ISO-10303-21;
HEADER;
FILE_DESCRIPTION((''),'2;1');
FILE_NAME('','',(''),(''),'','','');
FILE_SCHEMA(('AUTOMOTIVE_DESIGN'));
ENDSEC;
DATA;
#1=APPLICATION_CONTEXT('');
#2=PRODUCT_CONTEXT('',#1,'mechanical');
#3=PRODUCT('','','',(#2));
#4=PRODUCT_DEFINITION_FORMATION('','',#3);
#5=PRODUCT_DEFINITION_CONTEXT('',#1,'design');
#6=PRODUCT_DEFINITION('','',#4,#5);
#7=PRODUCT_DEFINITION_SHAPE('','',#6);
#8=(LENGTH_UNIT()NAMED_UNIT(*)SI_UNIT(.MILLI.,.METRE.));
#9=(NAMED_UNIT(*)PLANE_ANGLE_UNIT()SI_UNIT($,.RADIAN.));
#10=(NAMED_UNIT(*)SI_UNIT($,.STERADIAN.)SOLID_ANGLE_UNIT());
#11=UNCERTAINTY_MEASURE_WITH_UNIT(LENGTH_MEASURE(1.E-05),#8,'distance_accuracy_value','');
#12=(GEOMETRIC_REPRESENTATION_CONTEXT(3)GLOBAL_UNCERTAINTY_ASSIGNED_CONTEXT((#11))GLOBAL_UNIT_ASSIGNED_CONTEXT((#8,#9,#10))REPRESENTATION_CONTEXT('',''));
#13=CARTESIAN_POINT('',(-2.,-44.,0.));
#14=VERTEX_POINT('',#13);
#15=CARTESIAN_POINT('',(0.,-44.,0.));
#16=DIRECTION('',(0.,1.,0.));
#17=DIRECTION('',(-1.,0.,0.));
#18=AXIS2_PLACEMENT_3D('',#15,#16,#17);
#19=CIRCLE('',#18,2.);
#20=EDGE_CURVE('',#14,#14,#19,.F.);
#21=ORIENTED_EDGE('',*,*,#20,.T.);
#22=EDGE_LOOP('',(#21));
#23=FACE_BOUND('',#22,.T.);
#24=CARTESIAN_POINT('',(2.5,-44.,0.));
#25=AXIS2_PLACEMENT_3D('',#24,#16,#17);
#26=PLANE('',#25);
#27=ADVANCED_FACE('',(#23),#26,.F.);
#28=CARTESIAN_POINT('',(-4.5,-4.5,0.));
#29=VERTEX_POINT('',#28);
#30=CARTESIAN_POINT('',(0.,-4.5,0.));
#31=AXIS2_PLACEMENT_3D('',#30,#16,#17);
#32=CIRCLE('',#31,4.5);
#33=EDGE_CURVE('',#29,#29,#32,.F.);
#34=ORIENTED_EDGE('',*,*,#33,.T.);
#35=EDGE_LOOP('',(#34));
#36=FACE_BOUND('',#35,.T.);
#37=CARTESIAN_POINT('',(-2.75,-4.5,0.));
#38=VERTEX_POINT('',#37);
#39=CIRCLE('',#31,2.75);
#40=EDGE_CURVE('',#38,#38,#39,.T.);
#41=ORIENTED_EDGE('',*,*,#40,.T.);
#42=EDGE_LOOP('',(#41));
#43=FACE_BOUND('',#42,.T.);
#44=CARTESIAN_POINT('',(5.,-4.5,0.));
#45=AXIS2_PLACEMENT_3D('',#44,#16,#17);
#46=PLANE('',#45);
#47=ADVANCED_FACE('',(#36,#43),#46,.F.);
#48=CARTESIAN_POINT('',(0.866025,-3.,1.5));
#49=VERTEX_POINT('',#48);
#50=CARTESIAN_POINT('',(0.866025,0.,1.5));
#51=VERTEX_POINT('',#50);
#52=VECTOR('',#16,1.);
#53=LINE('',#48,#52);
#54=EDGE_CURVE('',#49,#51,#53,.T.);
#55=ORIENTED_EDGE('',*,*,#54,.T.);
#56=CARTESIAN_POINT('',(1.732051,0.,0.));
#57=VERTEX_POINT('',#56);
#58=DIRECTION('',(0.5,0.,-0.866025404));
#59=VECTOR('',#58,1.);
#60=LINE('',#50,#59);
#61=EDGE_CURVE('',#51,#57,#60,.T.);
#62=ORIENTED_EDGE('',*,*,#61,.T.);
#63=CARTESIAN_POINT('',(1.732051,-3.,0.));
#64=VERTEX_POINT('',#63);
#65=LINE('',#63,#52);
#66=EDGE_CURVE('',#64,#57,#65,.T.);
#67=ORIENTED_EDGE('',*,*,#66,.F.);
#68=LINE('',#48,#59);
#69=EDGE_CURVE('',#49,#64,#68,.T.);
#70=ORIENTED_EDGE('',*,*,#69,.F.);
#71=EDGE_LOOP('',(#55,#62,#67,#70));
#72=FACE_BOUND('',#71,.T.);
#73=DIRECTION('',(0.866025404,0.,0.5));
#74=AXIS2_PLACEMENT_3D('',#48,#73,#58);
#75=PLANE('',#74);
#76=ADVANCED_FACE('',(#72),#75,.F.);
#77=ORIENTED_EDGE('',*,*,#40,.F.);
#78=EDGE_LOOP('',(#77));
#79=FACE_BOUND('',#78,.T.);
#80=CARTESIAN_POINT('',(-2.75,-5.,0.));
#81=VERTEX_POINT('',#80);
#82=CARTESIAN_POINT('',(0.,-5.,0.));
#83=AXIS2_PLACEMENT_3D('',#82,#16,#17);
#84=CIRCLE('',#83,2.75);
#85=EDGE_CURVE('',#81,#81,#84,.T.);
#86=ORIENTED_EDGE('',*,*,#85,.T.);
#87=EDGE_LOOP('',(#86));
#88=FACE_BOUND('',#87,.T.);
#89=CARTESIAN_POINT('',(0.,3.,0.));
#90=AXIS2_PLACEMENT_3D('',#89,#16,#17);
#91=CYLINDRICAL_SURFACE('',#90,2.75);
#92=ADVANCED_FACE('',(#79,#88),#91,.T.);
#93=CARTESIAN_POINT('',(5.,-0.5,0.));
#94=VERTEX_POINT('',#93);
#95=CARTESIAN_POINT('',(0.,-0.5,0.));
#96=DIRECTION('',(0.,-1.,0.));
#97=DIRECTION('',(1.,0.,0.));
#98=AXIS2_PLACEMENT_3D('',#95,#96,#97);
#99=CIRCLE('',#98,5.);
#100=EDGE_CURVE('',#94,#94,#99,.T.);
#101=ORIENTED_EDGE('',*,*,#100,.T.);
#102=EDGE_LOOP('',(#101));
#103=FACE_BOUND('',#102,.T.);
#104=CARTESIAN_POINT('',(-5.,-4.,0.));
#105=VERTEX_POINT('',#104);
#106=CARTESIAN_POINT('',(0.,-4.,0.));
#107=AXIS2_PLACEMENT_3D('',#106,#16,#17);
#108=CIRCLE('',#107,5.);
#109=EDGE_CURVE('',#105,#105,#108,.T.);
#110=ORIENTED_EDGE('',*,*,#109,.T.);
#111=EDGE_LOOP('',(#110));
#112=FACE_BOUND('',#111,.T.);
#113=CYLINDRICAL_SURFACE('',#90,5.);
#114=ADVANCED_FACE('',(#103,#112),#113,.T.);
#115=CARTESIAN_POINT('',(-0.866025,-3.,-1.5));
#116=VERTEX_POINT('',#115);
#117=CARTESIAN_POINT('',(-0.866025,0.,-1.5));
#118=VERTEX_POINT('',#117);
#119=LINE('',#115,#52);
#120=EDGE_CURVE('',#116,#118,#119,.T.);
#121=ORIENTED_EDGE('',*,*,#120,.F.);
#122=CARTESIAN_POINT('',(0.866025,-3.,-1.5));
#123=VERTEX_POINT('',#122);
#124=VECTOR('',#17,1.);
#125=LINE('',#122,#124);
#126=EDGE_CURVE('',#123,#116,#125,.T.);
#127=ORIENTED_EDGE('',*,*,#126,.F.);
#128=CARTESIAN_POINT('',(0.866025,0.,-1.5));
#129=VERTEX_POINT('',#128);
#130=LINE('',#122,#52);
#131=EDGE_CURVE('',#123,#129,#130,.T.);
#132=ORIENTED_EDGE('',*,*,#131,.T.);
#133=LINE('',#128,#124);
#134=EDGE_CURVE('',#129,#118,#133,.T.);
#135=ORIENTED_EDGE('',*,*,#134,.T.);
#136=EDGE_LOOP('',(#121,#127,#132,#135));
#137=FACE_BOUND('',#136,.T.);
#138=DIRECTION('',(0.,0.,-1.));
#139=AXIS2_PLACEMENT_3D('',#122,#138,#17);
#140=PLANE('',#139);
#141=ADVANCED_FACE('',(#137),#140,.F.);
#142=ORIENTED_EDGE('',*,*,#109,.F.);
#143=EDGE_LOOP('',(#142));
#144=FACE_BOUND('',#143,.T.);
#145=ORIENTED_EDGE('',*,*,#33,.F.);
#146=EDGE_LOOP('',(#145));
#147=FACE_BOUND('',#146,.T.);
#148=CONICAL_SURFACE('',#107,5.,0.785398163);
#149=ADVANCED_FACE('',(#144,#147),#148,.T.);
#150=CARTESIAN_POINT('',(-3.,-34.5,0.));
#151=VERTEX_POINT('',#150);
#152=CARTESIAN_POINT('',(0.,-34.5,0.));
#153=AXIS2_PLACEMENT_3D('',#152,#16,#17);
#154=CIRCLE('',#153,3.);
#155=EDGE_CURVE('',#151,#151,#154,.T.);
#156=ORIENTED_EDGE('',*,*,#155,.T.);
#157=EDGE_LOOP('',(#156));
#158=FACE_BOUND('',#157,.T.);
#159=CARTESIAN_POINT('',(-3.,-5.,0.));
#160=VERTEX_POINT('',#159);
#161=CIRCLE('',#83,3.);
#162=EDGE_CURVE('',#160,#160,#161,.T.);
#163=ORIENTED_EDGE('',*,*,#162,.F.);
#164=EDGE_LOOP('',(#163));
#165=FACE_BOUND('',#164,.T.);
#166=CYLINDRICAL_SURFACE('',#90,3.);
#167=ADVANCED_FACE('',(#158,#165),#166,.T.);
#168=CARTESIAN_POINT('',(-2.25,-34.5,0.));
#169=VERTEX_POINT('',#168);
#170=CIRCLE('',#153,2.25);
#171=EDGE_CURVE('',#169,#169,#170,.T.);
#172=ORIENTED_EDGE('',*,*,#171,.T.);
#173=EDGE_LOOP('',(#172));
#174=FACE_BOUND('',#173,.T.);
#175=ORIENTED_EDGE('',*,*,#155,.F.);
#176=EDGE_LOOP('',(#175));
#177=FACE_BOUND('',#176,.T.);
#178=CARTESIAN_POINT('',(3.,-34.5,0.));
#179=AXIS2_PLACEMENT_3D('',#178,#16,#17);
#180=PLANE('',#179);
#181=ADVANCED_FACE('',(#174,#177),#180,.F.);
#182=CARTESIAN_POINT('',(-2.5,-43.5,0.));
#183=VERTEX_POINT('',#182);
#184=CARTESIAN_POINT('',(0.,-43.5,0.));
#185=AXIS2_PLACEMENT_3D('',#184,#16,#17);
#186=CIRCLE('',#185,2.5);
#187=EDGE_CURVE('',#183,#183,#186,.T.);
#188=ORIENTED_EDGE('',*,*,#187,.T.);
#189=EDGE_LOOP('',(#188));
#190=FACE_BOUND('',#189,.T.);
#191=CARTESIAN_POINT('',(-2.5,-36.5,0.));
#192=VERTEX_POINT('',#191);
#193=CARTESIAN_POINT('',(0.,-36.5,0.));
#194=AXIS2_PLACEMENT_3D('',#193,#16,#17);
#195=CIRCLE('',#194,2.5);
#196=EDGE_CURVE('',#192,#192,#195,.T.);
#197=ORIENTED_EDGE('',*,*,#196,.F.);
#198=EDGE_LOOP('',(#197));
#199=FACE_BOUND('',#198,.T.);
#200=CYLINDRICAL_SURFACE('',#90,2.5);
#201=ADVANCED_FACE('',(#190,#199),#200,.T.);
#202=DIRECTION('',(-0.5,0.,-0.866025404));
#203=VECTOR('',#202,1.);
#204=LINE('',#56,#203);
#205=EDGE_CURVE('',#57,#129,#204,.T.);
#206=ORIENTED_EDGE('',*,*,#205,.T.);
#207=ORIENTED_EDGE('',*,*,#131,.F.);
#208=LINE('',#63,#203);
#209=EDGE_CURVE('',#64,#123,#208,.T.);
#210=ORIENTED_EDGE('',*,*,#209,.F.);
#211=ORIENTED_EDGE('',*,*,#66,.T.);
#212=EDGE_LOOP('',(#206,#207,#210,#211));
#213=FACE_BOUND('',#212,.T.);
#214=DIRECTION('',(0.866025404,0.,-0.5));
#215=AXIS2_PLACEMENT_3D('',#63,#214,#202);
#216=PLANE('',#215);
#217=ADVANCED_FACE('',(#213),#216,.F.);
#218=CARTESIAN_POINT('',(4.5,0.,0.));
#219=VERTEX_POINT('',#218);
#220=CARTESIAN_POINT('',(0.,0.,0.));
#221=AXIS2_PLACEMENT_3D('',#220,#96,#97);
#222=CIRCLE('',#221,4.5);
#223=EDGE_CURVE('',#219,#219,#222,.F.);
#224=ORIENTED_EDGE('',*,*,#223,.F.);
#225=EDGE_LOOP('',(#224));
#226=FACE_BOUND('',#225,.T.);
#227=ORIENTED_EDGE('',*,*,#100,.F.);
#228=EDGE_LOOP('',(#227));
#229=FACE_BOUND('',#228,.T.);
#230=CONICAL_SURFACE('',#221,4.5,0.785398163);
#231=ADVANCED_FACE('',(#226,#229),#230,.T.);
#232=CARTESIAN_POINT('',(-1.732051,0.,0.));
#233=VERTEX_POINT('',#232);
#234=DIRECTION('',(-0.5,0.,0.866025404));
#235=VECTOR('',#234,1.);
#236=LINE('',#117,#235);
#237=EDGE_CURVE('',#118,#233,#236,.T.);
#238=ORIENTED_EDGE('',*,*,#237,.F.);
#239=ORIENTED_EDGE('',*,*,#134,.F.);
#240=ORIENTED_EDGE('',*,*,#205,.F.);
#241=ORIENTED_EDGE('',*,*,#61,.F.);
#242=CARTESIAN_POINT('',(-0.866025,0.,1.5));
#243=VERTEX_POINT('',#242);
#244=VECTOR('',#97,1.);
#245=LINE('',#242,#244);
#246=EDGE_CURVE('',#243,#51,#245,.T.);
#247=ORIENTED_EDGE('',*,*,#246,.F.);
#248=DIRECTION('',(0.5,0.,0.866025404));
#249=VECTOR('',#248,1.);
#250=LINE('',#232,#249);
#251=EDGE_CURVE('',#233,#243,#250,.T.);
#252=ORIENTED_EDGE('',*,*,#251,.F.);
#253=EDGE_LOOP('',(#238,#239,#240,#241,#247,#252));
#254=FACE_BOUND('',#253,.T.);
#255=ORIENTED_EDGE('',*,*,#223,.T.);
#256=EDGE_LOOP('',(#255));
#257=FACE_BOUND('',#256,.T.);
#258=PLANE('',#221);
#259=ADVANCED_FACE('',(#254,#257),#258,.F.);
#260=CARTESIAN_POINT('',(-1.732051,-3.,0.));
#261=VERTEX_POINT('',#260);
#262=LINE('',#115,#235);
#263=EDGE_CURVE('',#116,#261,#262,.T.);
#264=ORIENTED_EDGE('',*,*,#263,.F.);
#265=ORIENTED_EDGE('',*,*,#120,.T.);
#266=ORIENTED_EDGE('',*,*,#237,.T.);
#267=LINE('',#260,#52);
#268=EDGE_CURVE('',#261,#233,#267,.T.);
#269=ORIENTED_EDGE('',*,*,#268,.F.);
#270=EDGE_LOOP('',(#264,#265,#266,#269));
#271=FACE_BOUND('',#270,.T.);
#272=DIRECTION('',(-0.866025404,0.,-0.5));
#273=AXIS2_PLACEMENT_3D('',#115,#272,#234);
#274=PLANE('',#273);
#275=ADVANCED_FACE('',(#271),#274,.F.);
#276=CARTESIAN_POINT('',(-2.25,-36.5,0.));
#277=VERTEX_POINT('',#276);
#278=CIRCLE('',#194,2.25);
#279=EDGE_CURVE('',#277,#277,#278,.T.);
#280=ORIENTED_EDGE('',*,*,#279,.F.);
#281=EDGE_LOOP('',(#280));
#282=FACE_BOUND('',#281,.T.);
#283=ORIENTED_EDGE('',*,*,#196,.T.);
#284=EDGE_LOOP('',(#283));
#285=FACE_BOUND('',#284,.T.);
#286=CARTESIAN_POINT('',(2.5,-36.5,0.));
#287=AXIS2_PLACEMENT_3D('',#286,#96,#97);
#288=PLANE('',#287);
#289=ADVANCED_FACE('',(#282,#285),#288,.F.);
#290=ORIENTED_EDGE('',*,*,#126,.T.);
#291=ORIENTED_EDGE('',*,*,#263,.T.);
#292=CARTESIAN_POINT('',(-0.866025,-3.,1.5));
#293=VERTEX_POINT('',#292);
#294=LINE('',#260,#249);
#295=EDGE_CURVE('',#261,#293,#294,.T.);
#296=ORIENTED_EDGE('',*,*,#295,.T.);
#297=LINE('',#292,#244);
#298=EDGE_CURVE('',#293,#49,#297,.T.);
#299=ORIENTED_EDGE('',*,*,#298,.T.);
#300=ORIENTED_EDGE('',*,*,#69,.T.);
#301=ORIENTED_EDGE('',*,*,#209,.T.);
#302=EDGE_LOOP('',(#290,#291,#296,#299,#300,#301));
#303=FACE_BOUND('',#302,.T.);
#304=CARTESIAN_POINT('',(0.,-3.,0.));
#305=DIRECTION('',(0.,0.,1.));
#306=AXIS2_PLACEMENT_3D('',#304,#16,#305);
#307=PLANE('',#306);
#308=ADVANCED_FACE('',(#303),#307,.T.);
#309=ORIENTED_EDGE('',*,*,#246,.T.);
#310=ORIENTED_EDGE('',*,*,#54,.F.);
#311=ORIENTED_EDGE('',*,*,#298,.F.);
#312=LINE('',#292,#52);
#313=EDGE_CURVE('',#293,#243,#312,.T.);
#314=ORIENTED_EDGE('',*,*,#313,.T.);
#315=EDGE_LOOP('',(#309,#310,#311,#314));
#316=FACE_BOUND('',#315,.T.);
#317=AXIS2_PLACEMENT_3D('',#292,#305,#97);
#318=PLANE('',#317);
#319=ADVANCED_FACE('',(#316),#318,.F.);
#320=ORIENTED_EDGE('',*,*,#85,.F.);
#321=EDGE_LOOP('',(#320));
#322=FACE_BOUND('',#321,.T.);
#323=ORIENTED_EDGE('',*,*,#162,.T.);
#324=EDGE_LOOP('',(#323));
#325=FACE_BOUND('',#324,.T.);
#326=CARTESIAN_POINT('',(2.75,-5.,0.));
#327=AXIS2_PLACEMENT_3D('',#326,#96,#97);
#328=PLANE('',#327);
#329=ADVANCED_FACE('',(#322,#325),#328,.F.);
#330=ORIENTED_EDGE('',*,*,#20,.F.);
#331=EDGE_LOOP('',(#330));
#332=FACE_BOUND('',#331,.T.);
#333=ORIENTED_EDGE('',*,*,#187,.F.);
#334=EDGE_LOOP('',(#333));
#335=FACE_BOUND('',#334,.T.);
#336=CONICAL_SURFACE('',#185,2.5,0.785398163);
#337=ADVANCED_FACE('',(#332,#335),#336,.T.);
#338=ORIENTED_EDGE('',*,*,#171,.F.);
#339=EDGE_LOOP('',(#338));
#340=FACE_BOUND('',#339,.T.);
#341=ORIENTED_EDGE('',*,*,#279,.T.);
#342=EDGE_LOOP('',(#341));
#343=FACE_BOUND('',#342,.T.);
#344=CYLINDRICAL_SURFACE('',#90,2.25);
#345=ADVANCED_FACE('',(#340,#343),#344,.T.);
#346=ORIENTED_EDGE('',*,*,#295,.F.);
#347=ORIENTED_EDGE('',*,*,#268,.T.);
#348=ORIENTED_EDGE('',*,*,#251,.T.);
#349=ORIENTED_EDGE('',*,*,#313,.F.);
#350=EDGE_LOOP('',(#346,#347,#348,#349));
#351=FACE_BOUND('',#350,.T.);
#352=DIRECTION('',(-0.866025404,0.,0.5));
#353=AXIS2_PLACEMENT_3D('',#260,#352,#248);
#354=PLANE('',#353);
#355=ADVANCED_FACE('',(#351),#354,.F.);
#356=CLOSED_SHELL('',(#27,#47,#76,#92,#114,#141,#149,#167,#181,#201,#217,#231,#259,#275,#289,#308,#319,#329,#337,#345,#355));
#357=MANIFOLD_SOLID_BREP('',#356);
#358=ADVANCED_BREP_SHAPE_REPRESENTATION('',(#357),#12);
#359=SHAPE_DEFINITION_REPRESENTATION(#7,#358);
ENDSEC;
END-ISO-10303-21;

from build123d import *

# Parameters (mm, degrees)
CHAMFER1_SIZE      = 0.5
CUT_EXTRUDE1_DEPTH = 3


with BuildPart() as part:
    # Sketch1 → Revolve1 (revolve)
    with BuildSketch(Plane.XY):
        Polygon((0, 0), (5, 0), (5, -4.5), (2.75, -4.5), (2.75, -5), (3, -5), (3, -34.5), (2.25, -34.5), (2.25, -36.5), (2.5, -36.5), (2.5, -44), (0, -44), align=None)
    revolve(axis=Axis((0, 3, 0), (0, -1, 0)))

    # Chamfer1
    chamfer1_edges = [part.edges().sort_by_distance(p)[0] for p in [
        (-2.5, -44, 0),
        (-5, -4.5, 0),
        (-5, 0, 0),
    ]]
    chamfer(chamfer1_edges, length=CHAMFER1_SIZE)

    # Sketch2 → Cut-Extrude1 (cut)
    with BuildSketch(Plane(origin=(0, 0, 0), x_dir=(1, 0, 0), z_dir=(0, 1, 0))):
        Polygon((1.732050808, 0), (0.866025404, 1.5), (-0.866025404, 1.5), (-1.732050808, 0), (-0.866025404, -1.5), (0.866025404, -1.5), align=None)
    extrude(amount=-CUT_EXTRUDE1_DEPTH, mode=Mode.SUBTRACT)


solid = part.part
